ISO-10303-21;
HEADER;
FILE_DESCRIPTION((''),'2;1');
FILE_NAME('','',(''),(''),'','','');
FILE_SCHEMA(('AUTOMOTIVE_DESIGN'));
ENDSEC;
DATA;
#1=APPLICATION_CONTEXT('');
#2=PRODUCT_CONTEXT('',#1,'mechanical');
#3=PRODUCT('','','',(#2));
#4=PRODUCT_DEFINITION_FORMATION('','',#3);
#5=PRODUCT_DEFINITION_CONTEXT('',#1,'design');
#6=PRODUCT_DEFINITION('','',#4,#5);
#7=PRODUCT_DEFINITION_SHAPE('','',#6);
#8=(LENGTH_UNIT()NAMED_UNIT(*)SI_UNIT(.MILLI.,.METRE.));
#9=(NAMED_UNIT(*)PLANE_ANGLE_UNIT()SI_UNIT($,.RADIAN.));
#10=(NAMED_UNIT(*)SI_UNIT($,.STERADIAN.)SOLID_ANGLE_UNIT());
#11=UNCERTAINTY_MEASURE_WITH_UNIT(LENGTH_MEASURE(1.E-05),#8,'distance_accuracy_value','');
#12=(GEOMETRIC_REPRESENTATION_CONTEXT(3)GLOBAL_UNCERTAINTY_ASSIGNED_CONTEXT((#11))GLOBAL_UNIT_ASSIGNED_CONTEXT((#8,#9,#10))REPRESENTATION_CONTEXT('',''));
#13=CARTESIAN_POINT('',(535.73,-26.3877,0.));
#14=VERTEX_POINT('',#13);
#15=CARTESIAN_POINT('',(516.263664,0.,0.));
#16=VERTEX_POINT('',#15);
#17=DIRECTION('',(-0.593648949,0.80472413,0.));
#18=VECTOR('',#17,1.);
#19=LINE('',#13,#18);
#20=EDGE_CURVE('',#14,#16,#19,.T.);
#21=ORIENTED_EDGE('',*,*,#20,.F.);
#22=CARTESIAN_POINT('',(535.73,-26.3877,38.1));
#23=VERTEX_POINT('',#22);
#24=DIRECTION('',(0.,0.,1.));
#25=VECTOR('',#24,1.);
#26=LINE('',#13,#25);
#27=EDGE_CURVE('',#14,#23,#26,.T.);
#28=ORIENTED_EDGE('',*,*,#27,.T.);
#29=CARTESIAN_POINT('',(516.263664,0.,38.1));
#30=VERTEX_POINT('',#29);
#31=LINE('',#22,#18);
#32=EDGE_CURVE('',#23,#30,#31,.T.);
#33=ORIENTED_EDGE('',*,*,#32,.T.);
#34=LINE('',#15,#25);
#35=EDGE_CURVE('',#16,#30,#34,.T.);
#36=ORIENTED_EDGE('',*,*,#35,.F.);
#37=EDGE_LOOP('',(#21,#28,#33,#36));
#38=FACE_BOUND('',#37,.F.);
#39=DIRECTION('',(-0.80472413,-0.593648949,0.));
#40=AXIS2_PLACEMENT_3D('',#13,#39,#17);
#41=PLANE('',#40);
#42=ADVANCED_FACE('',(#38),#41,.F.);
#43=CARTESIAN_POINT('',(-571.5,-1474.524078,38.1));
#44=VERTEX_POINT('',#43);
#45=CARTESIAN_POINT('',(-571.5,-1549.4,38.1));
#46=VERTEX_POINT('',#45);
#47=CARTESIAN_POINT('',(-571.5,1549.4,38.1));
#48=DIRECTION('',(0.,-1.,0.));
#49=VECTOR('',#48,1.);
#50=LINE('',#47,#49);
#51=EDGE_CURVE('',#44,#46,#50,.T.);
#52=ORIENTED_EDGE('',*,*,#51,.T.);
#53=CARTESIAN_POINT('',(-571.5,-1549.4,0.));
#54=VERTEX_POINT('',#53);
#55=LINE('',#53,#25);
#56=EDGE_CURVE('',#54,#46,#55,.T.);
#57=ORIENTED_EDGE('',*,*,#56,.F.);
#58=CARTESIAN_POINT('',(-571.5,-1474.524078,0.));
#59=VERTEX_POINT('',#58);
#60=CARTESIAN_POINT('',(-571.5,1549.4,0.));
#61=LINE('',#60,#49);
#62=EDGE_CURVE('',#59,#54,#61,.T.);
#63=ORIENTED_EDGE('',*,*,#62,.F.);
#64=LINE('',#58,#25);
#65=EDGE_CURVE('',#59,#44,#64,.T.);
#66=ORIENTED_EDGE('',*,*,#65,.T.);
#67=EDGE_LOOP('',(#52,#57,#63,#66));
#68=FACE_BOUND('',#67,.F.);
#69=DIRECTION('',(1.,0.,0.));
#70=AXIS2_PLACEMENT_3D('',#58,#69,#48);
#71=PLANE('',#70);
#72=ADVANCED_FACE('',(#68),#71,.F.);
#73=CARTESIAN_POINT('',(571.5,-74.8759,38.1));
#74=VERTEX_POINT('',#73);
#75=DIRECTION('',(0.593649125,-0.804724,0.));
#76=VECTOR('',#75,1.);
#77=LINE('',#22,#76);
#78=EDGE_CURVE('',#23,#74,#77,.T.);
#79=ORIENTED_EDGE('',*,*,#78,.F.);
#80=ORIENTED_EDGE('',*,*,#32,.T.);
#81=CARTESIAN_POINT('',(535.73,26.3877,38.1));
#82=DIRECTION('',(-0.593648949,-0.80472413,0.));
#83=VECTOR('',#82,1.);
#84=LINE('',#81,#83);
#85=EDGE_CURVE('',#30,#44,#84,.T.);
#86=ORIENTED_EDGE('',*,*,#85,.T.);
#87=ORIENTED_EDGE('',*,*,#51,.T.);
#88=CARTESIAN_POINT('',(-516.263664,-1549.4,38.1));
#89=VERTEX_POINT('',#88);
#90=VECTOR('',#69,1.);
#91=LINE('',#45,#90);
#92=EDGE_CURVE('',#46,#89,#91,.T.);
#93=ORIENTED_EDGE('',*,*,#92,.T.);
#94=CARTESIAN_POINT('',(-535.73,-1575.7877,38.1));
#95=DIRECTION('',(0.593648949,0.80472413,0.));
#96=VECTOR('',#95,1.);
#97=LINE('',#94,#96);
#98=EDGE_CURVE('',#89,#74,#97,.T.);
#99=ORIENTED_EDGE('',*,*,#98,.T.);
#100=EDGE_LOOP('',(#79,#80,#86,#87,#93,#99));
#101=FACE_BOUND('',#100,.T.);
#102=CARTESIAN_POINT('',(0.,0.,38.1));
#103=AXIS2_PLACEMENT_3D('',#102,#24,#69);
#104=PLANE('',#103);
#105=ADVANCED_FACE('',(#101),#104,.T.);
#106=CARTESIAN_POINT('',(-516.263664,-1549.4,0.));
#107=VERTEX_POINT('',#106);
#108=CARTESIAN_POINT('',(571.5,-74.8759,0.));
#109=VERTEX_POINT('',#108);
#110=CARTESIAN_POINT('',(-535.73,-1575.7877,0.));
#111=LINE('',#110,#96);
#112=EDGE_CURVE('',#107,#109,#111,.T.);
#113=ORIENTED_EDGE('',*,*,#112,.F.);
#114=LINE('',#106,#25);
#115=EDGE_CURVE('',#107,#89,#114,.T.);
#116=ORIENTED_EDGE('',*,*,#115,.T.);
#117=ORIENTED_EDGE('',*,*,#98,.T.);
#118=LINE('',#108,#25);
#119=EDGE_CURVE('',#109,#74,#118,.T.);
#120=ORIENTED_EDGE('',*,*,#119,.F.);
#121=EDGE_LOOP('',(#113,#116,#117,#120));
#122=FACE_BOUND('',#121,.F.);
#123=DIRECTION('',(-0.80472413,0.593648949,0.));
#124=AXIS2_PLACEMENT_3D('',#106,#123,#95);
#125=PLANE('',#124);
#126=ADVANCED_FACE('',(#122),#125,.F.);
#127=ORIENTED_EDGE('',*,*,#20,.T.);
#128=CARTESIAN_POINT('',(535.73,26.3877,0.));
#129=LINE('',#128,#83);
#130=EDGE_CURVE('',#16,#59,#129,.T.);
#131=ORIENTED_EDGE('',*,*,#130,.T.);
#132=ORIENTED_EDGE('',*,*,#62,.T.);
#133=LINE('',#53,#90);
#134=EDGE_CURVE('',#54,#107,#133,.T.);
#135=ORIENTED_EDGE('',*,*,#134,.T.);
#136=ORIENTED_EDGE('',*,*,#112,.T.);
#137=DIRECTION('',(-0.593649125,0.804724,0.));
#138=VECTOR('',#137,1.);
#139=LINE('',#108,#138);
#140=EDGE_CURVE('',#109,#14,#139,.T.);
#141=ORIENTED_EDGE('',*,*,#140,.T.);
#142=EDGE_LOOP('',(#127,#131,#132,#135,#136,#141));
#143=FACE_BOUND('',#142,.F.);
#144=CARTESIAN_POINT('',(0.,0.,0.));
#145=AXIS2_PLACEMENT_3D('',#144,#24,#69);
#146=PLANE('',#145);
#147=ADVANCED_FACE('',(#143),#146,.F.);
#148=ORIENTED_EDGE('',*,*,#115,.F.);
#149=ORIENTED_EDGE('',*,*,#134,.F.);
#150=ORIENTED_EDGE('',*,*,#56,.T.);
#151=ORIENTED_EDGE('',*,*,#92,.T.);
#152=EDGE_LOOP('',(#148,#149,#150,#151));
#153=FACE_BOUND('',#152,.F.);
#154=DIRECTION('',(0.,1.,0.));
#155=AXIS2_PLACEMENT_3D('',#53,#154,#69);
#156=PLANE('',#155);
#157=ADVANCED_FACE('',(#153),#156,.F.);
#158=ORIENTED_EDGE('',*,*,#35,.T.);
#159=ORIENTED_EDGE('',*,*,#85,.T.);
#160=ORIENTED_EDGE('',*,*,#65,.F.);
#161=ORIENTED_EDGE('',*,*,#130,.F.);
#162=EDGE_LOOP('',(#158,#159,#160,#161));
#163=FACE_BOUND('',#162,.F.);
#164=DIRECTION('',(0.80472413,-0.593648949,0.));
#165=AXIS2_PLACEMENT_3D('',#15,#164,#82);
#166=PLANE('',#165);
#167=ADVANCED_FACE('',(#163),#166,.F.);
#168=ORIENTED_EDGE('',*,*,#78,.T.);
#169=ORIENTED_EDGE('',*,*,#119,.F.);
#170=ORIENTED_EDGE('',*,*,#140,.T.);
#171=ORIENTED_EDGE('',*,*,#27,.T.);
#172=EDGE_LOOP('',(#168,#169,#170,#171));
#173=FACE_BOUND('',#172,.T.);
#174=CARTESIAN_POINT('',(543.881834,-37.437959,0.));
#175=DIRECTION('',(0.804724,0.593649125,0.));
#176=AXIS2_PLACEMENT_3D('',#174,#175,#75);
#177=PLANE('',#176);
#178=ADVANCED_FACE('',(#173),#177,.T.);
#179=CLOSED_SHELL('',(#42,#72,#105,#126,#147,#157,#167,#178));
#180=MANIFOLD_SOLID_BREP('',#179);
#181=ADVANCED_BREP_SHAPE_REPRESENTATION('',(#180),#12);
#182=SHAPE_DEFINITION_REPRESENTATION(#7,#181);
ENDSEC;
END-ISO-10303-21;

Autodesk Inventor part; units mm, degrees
ref_plane "YZ Plane" through (0, 0, 0) normal (1, 0, 0) x (0, 1, 0)
ref_plane "XZ Plane" through (0, 0, 0) normal (0, 1, 0) x (-1, 0, 0)
ref_plane "XY Plane" through (0, 0, 0) normal (0, 0, 1) x (1, 0, 0)
sketch "Sketch1" plane through (0, 0, 0) normal (0, 0, 1) x (1, 0, 0)
  line L0 (-571.5, -1549.4) -> (571.5, -1549.4)
  line L1 (571.5, -1549.4) -> (571.5, 1549.4)
  line L2 (571.5, 1549.4) -> (-571.5, 1549.4)
  line L3 (-571.5, 1549.4) -> (-571.5, -1549.4)
  line L4 (-571.5, -1549.4) -> (571.5, 1549.4) construction
  line L5 (571.5, -1549.4) -> (-571.5, 1549.4) construction
  line L6 (-571.5, 0) -> (571.5, 0)
  line L7 (571.5, 0) -> (-571.5, -1549.4)
  line L8 (-535.73, -1575.7877) -> (-607.27, -1523.0123)
  line L9 (607.27, -26.3877) -> (535.73, 26.3877)
  line L10 (535.73, 26.3877) -> (-607.27, -1523.0123)
  line L11 (-535.73, -1575.7877) -> (607.27, -26.3877)
  line L12 (535.73, 26.3877) -> (571.5, 74.8759)
  line L13 (-571.5, 1549.4) -> (571.5, -1549.4) construction
  line L14 (571.5, 0) -> (-571.5, 1549.4)
  line L15 (-535.73, 1575.7877) -> (-607.27, 1523.0123)
  line L16 (607.27, 26.3877) -> (535.73, -26.3877)
  line L17 (535.73, -26.3877) -> (-607.27, 1523.0123)
  line L18 (-535.73, 1575.7877) -> (607.27, 26.3877)
  line L19 (535.73, -26.3877) -> (571.5, -74.8759)
  point P0 (0, 0)
  point P1 (571.5, 74.8759)
  point P2 (-516.2637, 1549.4)
  point P3 (-571.5, 1474.5241)
  point P4 (571.5, -74.8759)
  point P5 (571.5, -74.8759)
  point P6 (516.2637, 0)
  point P7 (-571.5, -1474.5241)
  point P8 (-516.2637, -1549.4)
  dimension "d0" = 1143
  dimension "d1" = 3098.8
  dimension "d3" = 88.9
  dimension "d4" = 88.9
extrude "Extrusion1" add sketch "Sketch1" along normal blind 38.1 contours L7 L19 L11 L0 | L3 L10 L17 L19 L7
properties part number "S_2x4x97.048"
